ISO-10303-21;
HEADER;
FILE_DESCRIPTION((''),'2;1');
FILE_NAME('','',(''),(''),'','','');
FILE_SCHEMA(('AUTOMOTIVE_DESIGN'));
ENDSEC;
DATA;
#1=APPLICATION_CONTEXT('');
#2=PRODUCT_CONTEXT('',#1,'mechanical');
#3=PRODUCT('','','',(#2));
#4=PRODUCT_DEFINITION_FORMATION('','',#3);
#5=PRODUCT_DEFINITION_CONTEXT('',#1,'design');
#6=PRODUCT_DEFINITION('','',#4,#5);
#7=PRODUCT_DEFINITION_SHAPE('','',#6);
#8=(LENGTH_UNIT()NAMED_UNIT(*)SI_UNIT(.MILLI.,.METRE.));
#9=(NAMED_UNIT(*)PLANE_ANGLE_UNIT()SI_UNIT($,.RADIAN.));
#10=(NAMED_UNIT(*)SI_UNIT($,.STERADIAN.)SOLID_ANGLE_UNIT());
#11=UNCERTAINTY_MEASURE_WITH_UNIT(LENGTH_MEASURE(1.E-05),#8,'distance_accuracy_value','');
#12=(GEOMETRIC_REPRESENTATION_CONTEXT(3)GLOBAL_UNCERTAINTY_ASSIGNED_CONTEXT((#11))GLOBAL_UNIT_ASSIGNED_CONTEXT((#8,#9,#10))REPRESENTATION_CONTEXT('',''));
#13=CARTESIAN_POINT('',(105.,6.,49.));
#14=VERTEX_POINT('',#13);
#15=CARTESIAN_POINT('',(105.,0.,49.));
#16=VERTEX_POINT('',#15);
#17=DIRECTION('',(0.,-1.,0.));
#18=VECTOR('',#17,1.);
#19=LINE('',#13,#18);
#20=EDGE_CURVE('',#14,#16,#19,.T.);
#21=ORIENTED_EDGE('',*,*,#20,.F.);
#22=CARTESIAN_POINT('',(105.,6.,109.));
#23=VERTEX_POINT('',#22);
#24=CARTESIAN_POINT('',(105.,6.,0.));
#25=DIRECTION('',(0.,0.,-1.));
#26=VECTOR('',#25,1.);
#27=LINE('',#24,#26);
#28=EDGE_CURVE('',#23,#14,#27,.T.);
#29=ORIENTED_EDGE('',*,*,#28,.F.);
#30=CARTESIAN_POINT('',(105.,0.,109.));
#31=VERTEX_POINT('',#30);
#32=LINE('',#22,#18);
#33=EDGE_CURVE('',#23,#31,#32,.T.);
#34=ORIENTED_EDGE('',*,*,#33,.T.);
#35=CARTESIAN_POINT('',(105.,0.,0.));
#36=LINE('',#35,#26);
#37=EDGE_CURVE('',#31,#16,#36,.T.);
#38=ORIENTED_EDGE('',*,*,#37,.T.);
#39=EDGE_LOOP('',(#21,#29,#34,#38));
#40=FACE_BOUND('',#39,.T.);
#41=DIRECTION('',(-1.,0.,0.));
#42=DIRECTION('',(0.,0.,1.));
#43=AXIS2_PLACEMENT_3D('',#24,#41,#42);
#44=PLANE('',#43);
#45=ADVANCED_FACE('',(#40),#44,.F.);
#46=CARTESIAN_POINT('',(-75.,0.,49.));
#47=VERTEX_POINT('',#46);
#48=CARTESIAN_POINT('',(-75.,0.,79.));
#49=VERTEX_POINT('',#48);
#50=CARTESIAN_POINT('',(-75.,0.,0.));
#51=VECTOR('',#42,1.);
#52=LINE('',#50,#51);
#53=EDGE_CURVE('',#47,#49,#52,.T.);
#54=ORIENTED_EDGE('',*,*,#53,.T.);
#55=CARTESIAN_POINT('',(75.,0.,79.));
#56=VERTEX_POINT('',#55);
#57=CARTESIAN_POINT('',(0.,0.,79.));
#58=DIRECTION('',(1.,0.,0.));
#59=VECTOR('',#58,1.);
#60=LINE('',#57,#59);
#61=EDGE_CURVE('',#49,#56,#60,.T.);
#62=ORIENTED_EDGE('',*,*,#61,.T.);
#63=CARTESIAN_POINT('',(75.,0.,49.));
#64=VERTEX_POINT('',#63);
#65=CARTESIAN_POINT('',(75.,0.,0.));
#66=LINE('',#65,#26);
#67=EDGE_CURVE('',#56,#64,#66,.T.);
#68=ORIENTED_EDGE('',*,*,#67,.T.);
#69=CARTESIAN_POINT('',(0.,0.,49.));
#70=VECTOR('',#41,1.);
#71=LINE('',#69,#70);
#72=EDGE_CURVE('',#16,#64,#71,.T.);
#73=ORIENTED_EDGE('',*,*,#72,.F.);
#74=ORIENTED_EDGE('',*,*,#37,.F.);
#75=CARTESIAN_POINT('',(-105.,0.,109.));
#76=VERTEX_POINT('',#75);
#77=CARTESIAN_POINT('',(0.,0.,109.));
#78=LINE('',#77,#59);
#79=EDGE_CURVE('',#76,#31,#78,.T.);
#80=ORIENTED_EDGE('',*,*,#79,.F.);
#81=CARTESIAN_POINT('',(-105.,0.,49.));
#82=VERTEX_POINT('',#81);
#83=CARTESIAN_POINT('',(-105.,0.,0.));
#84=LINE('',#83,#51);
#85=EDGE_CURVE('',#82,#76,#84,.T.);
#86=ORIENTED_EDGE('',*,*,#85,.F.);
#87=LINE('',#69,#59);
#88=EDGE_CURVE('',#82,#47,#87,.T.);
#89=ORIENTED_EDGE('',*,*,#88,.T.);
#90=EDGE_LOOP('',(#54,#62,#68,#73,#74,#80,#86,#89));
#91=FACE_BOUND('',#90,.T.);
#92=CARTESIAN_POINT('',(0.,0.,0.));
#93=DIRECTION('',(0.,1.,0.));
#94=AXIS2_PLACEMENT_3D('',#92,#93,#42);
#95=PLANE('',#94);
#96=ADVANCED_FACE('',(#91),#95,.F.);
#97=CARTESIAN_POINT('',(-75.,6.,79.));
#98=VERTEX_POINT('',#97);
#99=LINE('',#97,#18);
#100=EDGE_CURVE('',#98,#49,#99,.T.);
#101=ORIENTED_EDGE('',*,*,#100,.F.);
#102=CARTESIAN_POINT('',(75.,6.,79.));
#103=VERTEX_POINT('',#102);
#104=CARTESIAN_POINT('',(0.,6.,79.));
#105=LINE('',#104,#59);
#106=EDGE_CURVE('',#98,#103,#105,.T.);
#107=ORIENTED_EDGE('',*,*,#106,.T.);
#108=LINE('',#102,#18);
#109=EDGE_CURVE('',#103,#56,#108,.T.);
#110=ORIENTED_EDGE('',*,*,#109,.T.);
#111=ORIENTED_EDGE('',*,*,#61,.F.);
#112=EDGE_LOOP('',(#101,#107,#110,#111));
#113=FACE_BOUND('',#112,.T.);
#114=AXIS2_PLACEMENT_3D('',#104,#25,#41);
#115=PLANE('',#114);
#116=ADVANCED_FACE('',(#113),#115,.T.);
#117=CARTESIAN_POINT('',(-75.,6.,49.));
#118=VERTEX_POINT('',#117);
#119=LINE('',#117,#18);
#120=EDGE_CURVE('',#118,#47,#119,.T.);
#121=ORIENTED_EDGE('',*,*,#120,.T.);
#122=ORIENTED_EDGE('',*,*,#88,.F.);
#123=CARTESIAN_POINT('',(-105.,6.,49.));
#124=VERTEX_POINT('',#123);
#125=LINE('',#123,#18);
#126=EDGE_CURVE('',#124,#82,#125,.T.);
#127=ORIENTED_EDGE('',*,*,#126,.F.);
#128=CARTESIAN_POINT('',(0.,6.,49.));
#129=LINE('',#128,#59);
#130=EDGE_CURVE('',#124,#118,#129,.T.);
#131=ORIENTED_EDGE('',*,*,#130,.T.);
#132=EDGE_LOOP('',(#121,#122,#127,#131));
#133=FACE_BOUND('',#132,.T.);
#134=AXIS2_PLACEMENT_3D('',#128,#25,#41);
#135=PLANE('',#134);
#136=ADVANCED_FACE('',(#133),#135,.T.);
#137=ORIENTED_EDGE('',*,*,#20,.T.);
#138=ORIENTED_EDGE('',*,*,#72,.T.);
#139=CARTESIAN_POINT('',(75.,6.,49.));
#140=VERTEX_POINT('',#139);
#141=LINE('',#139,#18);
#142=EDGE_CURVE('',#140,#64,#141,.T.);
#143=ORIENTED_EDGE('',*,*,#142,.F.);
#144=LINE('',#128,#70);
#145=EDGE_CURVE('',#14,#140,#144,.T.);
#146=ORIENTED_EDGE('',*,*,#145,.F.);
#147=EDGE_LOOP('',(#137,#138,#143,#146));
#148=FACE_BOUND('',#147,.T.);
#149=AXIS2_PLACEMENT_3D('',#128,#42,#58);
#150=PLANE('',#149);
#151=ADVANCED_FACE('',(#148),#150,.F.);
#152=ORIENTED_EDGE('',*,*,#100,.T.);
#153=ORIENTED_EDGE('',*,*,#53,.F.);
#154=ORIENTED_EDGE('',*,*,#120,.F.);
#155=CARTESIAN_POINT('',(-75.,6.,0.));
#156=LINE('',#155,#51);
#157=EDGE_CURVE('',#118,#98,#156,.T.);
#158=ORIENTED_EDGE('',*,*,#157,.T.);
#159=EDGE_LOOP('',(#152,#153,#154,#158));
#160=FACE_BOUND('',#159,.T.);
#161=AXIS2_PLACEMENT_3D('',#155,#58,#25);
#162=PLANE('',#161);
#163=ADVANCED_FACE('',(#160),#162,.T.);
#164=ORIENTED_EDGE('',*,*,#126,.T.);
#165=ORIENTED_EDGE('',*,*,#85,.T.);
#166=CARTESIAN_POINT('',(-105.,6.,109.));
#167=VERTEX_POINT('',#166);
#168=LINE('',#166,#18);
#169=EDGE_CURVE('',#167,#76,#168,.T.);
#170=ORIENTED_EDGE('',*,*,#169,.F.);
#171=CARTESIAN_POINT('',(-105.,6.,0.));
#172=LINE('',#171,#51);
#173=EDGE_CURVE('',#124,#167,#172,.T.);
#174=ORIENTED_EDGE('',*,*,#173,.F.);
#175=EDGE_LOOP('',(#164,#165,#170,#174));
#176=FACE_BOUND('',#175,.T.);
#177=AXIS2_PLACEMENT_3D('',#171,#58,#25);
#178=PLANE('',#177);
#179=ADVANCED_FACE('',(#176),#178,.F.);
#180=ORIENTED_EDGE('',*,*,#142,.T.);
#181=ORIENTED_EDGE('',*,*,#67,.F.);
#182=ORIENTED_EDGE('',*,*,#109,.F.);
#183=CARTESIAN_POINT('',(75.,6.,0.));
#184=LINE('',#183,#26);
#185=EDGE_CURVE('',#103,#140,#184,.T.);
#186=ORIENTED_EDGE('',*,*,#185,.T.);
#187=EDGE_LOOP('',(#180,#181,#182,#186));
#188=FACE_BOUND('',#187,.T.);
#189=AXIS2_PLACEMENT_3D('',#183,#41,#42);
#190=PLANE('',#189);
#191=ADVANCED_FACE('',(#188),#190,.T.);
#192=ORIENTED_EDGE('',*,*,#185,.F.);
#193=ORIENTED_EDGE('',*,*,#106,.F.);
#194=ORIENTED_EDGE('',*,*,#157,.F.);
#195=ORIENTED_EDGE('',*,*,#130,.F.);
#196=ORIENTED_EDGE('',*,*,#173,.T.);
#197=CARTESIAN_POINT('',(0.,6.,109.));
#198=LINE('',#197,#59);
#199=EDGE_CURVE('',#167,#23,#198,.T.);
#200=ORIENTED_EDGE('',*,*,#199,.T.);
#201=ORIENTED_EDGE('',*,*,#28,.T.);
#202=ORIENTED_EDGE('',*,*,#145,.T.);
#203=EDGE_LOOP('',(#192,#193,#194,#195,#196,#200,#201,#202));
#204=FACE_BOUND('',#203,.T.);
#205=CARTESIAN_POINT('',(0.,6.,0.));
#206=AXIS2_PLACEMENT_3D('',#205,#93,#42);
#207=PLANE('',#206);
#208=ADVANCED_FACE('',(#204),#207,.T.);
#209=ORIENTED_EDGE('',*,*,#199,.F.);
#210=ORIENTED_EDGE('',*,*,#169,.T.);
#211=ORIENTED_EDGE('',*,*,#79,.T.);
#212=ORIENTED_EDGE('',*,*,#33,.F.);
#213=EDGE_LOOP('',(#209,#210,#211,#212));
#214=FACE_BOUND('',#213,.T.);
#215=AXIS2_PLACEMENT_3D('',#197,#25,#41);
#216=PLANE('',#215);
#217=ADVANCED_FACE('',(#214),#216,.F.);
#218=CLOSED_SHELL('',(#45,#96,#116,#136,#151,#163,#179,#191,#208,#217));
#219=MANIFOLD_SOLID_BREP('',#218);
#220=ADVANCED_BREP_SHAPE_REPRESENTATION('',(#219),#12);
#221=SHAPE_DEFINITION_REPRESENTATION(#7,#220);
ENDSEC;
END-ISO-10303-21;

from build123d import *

# Parameters (mm, degrees)
BOSS_EXTRUDE1_DEPTH = 6


with BuildPart() as part:
    # Sketch1 → Boss-Extrude1 (new body)
    with BuildSketch(Plane(origin=(0, 0, 0), x_dir=(1, 0, 0), z_dir=(0, 1, 0))):
        Polygon((-75, -49), (-105, -49), (-105, -109), (105, -109), (105, -49), (75, -49), (75, -79), (-75, -79), align=None)
    extrude(amount=BOSS_EXTRUDE1_DEPTH)


solid = part.part
